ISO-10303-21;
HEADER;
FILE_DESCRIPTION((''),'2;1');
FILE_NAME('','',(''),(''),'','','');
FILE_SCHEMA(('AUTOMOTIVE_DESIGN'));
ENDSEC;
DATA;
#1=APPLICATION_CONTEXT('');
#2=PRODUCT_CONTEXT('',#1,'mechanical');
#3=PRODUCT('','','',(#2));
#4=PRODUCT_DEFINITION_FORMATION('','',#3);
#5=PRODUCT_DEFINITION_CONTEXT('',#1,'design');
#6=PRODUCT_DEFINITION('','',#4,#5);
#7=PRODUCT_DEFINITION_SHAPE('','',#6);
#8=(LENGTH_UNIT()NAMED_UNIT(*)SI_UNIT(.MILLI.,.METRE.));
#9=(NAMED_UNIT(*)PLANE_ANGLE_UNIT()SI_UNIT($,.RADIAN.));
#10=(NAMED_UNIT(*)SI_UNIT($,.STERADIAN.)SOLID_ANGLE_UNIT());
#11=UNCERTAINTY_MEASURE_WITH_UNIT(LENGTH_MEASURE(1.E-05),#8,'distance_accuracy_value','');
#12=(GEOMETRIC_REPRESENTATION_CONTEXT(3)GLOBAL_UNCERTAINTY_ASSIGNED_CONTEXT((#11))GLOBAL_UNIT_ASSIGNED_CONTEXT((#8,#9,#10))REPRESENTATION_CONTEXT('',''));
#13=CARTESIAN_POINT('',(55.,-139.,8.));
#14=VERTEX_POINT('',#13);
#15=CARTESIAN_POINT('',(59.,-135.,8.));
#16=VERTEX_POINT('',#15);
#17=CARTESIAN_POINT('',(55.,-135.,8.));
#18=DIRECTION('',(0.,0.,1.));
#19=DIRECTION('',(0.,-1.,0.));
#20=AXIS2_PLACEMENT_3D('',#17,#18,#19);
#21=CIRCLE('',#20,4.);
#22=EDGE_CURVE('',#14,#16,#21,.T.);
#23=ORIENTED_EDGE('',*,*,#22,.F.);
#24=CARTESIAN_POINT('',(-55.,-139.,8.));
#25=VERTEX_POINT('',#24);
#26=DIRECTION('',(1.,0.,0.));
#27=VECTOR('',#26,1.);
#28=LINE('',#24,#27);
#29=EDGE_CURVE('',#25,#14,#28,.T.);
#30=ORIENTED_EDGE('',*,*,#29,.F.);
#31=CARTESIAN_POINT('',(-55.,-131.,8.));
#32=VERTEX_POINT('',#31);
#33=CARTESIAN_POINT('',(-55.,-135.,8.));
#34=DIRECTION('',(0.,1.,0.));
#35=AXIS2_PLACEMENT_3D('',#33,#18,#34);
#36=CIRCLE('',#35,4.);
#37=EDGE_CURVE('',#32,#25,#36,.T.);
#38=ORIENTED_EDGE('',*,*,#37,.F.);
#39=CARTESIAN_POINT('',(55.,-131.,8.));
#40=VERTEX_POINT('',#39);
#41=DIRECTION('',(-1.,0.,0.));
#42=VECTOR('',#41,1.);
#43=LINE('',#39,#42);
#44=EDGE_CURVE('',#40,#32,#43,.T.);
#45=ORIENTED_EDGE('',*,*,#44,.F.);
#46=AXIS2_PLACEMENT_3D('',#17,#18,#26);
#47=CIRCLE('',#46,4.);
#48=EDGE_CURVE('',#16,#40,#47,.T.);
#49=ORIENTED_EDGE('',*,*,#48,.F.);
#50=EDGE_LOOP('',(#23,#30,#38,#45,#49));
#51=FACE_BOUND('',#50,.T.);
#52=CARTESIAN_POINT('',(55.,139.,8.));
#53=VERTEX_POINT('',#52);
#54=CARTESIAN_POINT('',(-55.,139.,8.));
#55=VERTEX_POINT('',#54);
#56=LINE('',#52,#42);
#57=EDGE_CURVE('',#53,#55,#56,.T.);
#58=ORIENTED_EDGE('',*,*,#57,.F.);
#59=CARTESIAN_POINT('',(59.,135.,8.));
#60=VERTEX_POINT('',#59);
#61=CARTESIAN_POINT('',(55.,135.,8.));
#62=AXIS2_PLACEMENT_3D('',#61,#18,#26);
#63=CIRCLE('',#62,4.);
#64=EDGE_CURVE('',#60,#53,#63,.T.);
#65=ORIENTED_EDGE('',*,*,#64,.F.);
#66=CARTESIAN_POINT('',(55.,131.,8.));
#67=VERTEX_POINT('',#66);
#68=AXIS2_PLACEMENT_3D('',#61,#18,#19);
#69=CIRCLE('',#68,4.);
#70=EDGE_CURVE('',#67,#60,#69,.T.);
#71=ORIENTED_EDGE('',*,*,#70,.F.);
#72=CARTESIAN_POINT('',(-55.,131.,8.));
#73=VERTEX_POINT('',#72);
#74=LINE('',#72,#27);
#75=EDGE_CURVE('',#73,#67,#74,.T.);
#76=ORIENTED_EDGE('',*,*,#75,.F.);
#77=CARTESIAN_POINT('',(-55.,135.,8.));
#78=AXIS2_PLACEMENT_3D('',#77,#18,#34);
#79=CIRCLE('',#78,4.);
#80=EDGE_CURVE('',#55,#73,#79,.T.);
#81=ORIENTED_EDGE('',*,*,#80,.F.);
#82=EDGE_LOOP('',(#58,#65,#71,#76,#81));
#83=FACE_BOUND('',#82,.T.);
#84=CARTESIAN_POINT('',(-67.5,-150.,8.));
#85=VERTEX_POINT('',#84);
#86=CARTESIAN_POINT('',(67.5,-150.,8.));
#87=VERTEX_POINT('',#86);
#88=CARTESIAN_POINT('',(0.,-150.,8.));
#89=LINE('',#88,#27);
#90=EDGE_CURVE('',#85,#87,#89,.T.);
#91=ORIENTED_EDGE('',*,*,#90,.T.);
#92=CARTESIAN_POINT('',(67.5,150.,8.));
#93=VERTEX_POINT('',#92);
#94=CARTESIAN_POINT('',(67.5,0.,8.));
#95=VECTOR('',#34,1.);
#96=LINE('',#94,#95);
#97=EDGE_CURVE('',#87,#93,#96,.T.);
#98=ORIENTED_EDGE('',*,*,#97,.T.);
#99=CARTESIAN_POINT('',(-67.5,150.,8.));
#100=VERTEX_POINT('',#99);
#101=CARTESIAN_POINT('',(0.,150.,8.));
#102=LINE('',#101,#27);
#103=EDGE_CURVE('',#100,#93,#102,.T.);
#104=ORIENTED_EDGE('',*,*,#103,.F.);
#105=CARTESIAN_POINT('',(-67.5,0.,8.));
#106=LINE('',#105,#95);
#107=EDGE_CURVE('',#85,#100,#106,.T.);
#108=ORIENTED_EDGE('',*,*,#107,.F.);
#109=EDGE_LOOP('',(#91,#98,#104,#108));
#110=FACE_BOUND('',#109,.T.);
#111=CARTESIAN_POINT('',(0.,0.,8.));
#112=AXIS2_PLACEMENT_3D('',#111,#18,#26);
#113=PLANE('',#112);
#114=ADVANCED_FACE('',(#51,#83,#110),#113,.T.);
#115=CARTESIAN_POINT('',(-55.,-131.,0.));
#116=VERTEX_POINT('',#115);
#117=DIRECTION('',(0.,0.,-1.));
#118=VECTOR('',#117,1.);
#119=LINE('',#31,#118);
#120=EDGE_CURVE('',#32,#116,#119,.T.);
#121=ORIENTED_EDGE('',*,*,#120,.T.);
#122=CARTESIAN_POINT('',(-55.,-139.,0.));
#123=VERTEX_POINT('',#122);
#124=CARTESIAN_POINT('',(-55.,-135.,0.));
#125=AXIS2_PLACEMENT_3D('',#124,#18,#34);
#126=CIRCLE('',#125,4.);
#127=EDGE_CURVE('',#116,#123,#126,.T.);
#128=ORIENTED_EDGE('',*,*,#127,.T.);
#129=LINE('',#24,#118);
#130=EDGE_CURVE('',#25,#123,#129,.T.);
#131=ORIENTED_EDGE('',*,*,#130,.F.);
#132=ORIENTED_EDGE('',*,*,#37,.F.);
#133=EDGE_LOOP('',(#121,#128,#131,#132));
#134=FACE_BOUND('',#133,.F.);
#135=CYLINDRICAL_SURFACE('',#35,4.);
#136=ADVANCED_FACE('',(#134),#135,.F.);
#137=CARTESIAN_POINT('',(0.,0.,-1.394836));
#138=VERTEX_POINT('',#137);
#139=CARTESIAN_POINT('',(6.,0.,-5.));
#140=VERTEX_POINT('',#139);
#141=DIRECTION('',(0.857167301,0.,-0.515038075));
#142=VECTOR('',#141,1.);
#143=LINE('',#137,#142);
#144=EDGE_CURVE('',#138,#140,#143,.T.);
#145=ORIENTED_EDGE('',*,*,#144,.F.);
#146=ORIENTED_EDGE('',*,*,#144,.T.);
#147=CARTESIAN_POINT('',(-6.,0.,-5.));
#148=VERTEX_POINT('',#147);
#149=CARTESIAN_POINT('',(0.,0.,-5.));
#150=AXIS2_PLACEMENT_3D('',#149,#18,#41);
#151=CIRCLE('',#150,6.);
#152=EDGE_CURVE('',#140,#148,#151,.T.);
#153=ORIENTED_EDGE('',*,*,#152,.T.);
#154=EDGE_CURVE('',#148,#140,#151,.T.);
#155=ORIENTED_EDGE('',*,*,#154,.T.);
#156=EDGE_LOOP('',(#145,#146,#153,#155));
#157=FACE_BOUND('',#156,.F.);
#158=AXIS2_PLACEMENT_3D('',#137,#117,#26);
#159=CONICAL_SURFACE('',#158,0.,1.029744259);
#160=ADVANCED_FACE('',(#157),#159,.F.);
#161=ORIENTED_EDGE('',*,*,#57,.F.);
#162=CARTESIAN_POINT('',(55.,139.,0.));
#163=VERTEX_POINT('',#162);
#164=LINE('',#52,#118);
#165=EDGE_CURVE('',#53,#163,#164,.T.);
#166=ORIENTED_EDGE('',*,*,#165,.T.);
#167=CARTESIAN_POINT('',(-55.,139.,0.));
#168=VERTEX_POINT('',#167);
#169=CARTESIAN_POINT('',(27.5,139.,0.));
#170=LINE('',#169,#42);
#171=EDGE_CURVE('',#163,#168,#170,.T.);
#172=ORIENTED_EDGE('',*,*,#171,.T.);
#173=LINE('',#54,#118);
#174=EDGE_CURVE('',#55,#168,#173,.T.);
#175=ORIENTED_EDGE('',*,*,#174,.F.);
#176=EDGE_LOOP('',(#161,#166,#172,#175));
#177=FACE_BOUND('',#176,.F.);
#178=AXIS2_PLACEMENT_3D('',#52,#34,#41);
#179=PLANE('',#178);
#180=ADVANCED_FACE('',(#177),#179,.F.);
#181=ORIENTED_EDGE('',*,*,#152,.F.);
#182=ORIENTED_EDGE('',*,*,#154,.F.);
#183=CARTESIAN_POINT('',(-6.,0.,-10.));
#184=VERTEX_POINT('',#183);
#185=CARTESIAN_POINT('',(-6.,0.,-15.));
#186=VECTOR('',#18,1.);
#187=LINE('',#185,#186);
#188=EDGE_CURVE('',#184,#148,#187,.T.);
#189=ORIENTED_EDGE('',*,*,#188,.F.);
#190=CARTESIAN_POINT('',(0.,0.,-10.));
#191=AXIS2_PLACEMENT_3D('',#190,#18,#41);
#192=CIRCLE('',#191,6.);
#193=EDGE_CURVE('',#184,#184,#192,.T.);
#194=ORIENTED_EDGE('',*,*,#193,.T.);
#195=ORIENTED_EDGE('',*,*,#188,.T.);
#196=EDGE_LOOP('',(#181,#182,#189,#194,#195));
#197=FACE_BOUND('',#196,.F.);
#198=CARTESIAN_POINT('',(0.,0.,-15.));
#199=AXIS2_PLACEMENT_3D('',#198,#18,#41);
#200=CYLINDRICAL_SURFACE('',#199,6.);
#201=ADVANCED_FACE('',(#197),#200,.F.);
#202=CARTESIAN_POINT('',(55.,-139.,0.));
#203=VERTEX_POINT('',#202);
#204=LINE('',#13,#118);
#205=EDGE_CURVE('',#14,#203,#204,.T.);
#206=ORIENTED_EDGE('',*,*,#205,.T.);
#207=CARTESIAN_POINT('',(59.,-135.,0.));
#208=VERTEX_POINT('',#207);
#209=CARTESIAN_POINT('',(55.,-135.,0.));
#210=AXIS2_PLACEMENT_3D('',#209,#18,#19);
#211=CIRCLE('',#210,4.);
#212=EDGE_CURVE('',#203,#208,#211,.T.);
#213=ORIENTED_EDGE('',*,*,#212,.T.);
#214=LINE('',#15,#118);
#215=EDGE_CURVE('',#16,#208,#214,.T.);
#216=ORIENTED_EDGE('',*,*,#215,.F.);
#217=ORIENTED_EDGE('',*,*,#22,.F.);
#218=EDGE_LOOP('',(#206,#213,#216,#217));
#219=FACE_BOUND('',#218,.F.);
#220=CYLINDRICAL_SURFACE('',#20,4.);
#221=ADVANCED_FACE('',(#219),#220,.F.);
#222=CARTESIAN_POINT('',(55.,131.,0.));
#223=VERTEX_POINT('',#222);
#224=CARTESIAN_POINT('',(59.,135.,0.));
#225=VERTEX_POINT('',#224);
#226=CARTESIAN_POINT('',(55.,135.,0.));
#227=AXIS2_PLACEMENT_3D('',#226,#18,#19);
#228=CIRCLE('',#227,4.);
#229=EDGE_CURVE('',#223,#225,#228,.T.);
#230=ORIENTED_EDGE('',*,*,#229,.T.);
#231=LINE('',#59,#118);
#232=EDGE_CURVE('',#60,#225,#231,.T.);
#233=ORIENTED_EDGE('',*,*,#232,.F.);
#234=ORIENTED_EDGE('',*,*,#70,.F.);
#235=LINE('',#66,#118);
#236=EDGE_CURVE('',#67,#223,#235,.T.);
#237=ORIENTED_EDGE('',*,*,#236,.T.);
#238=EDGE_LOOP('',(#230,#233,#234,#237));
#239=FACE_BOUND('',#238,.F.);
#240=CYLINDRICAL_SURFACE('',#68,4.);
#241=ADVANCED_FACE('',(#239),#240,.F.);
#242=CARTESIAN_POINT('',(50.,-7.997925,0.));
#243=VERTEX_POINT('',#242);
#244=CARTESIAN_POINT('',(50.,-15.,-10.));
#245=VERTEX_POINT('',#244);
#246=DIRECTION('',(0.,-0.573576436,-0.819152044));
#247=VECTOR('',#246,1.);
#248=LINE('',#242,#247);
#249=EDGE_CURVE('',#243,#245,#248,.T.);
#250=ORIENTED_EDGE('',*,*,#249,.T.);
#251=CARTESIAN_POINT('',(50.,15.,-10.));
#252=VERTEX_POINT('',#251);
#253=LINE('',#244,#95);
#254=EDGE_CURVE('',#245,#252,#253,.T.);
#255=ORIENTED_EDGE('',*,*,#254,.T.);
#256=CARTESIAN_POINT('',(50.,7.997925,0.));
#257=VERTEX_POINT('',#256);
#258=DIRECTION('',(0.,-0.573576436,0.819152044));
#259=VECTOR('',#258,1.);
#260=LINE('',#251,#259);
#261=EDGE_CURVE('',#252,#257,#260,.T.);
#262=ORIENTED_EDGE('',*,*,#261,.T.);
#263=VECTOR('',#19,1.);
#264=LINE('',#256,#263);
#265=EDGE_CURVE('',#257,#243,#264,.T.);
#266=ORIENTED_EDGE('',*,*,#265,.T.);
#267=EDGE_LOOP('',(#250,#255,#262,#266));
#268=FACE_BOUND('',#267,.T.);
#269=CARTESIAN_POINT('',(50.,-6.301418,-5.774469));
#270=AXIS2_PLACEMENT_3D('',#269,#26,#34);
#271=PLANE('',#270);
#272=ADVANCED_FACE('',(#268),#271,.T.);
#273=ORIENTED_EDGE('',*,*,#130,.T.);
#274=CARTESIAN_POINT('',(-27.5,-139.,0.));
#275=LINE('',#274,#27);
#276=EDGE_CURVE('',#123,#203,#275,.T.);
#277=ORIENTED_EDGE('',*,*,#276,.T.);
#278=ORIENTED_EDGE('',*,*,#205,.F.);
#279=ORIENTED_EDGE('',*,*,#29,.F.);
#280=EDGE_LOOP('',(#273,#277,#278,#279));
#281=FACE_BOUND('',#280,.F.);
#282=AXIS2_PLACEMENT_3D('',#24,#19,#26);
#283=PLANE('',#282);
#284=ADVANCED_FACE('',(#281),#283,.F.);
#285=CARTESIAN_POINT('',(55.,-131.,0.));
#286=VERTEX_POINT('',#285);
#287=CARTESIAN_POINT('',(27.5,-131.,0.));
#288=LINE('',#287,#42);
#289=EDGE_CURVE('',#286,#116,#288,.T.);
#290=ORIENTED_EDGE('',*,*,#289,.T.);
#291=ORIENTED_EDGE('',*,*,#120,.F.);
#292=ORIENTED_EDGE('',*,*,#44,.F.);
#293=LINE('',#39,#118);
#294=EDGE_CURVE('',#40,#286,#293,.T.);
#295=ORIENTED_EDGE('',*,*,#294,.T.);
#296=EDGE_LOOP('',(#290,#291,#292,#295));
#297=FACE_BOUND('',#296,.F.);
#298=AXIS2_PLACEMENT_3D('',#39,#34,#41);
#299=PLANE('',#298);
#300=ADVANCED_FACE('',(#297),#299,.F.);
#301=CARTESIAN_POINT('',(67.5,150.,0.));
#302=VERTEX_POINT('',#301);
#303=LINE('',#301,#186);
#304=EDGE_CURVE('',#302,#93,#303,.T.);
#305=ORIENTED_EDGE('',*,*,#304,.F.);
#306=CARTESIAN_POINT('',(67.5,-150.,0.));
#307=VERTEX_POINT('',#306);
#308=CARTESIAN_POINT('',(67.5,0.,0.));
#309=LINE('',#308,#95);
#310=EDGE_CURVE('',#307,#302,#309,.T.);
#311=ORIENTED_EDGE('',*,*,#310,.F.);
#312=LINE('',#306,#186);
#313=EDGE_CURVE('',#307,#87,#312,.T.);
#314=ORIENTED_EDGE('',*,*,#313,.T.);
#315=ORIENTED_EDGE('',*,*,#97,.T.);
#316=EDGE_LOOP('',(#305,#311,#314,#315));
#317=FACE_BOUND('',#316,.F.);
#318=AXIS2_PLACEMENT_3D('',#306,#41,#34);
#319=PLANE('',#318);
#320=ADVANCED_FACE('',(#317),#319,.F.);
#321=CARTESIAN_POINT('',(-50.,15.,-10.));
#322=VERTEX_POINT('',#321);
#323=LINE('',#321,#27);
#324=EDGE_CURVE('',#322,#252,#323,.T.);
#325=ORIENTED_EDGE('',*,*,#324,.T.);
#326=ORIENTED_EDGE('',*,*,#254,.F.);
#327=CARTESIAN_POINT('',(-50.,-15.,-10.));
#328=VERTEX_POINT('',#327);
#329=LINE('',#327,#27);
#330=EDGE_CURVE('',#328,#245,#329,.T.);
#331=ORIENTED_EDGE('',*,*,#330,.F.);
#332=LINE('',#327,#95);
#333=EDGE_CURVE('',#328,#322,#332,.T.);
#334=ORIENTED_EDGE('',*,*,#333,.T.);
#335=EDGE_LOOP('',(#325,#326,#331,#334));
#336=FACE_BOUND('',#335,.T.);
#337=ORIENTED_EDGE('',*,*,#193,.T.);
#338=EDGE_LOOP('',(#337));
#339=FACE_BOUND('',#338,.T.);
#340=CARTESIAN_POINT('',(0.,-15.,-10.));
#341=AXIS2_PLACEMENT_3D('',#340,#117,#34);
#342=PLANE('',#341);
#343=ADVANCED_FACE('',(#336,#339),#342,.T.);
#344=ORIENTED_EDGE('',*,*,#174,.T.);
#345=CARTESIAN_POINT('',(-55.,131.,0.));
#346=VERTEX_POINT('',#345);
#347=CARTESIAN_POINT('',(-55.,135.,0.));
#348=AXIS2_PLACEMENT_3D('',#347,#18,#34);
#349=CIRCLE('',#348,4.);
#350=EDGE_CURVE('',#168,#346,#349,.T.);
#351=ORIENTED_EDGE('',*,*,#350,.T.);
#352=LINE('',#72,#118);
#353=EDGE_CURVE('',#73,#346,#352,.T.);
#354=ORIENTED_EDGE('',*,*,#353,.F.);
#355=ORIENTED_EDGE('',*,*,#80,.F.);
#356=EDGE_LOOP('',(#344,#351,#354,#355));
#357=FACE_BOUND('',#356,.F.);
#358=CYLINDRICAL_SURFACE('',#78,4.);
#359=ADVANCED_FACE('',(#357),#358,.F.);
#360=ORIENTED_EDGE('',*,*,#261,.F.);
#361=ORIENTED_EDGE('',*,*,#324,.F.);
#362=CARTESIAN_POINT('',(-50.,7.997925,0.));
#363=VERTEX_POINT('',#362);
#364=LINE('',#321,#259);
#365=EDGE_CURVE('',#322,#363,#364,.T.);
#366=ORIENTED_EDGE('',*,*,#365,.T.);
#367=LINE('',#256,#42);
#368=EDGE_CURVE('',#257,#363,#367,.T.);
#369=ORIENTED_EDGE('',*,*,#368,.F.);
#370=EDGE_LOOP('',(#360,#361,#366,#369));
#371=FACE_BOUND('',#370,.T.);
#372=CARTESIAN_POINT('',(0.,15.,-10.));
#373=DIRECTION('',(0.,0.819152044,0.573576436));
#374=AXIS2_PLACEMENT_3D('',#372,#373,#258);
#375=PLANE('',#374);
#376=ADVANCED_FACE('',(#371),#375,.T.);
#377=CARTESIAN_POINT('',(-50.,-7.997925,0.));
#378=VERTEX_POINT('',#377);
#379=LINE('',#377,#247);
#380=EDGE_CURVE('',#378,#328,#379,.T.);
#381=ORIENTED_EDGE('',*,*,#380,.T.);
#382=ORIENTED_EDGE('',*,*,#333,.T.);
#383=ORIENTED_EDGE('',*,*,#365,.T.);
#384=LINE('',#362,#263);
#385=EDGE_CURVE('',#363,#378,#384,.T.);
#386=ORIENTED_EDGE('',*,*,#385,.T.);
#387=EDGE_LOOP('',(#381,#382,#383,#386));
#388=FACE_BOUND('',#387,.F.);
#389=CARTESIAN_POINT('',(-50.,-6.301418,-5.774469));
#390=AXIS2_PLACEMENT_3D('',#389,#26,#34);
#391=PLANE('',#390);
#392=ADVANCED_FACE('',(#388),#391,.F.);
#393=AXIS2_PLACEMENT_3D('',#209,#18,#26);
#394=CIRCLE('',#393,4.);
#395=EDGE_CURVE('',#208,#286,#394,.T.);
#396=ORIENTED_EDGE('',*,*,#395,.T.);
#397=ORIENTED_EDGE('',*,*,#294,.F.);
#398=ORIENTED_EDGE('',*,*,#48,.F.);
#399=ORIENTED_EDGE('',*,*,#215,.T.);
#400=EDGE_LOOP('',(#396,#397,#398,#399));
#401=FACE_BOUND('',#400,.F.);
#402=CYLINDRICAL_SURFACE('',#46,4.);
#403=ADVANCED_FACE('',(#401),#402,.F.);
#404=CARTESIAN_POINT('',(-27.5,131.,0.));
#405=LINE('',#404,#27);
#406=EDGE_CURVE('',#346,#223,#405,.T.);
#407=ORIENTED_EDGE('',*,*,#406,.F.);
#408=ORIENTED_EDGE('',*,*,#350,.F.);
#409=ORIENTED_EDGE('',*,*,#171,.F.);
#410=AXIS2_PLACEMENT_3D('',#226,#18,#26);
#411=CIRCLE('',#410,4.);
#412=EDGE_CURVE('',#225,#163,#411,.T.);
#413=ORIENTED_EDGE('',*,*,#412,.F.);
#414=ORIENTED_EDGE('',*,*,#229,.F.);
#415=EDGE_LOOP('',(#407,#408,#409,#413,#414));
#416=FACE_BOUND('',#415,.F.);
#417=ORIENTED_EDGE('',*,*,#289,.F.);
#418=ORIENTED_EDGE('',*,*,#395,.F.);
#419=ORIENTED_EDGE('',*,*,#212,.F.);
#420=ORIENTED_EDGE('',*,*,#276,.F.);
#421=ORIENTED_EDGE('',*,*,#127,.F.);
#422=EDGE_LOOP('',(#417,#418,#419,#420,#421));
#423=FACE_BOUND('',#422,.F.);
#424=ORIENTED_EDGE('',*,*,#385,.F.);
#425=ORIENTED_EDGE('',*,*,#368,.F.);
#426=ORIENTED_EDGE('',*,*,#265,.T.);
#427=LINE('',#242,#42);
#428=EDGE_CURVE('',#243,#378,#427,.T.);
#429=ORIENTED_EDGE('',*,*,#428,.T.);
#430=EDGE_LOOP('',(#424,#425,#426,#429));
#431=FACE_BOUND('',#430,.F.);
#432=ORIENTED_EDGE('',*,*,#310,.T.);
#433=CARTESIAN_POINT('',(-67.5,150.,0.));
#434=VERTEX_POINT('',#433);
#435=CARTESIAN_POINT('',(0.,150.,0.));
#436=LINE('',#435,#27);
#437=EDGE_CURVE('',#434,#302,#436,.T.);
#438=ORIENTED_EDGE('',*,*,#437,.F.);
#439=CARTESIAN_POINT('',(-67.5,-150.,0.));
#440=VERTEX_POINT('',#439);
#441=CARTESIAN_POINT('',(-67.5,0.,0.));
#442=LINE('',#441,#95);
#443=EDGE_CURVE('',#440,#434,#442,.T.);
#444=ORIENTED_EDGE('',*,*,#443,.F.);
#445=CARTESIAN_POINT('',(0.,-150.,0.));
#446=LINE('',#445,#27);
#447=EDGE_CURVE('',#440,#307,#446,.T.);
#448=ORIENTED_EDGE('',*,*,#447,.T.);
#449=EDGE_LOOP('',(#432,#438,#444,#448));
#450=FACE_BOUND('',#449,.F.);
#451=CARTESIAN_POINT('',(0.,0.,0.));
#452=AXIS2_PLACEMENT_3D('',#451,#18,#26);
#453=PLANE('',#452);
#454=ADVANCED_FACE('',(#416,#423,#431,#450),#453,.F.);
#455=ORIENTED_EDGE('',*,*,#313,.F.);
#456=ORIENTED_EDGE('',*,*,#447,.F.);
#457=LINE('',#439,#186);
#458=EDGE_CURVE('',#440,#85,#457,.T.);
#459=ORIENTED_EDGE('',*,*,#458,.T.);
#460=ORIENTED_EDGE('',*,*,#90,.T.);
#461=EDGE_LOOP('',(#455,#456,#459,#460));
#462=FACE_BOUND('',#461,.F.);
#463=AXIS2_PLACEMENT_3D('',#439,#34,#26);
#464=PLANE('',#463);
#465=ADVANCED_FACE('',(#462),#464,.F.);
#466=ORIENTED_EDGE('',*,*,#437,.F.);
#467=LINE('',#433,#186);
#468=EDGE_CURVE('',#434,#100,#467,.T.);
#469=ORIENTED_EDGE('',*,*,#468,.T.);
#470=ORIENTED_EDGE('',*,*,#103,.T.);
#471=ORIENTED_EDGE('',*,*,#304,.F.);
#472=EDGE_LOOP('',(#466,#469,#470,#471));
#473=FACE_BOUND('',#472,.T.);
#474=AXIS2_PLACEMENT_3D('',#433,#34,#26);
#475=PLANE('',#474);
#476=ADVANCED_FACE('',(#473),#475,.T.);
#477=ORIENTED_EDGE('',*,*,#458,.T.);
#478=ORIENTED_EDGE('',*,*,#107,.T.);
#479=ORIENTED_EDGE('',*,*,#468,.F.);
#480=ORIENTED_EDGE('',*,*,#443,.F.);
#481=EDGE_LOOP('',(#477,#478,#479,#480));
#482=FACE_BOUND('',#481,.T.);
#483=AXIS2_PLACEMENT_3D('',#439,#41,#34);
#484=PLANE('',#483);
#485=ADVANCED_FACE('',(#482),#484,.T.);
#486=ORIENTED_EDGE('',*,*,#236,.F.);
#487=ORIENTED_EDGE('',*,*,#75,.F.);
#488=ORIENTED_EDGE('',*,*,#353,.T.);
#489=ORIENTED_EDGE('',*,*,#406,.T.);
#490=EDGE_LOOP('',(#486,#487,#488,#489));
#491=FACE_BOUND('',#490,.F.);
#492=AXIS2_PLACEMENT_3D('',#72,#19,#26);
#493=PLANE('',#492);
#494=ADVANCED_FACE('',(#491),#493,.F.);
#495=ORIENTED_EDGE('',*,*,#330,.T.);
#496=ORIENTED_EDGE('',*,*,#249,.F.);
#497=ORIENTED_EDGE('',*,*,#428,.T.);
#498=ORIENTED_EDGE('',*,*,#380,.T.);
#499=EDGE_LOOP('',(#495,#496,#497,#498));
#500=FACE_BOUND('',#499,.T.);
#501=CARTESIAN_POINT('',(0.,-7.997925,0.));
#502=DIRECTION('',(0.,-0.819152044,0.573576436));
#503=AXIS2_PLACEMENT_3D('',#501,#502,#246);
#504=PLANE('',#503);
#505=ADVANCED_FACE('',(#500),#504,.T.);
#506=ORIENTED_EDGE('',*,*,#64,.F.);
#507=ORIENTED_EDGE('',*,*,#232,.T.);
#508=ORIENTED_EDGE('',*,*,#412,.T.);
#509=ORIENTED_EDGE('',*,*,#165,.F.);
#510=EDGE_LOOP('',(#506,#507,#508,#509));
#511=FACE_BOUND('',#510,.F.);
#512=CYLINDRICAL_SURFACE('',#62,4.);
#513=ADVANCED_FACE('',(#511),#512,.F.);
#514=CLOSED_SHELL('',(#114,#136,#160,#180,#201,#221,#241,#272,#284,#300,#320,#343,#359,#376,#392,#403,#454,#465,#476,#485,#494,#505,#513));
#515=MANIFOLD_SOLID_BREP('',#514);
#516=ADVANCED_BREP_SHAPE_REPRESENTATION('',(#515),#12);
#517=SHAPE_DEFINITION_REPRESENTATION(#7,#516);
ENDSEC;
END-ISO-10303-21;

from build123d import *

# Parameters (mm, degrees)
F0_W     = 135
F0_H     = 300
F1_DEPTH = 8
F3_DEPTH = 50
F5_D     = 12
F5_DEPTH = 5
F5_TIP   = 3.6051637142
F7_DEPTH = 25


with BuildPart() as f1:
    # F0 (on Top) → F1 (new body)
    with BuildSketch(Plane.XY):
        Rectangle(F0_W, F0_H)
    extrude(amount=F1_DEPTH)

    # F2 (on Right) → F3 (join, symmetric)
    with BuildSketch(Plane.YZ):
        Polygon((0, -10), (0, 0), (-7.9979246179, 0), (-15, -10), align=None)
        Polygon((7.9979246179, 0), (0, 0), (0, -10), (15, -10), align=None)
    extrude(amount=F3_DEPTH, both=True)

    # F5
    with Locations(Plane(origin=(0, 0, -10), x_dir=(1, 0, 0), z_dir=(0, 0, -1))):
        with Locations((0, 0)):
            Hole(F5_D / 2, depth=F5_DEPTH)
            with Locations((0, 0, -(F5_DEPTH + F5_TIP / 2))):  # 118° drill point
                Cone(0, F5_D / 2, F5_TIP, mode=Mode.SUBTRACT)

    # F6 (on face) → F7 (cut)
    with BuildSketch(Plane.XY.offset(8)):
        with BuildLine():
            ThreePointArc((59, -135), (57.8284271247, -132.1715728753), (55, -131))
            Line((55, -131), (55, -139))
            ThreePointArc((55, -139), (57.8284271247, -137.8284271247), (59, -135))
        make_face()
        with BuildLine():
            Line((55, -139), (55, -131))
            ThreePointArc((55, -131), (51, -135), (55, -139))
        make_face()
        with BuildLine():
            Line((55, -131), (-55, -131))
            ThreePointArc((-55, -131), (-52.1715728753, -132.1715728753), (-51, -135))
            ThreePointArc((-51, -135), (-52.1715728753, -137.8284271247), (-55, -139))
            Line((-55, -139), (55, -139))
            ThreePointArc((55, -139), (51, -135), (55, -131))
        make_face()
        with BuildLine():
            ThreePointArc((-51, -135), (-52.1715728753, -132.1715728753), (-55, -131))
            Line((-55, -131), (-55, -139))
            ThreePointArc((-55, -139), (-52.1715728753, -137.8284271247), (-51, -135))
        make_face()
        with BuildLine():
            Line((-55, -139), (-55, -131))
            ThreePointArc((-55, -131), (-59, -135), (-55, -139))
        make_face()
        with BuildLine():
            Line((55, 139), (55, 131))
            ThreePointArc((55, 131), (57.8284271247, 132.1715728753), (59, 135))
            ThreePointArc((59, 135), (57.8284271247, 137.8284271247), (55, 139))
        make_face()
        with BuildLine():
            ThreePointArc((55, 139), (51, 135), (55, 131))
            Line((55, 131), (55, 139))
        make_face()
        with BuildLine():
            ThreePointArc((-51, 135), (-52.1715728753, 132.1715728753), (-55, 131))
            Line((-55, 131), (55, 131))
            ThreePointArc((55, 131), (51, 135), (55, 139))
            Line((55, 139), (-55, 139))
            ThreePointArc((-55, 139), (-52.1715728753, 137.8284271247), (-51, 135))
        make_face()
        with BuildLine():
            ThreePointArc((-55, 139), (-59, 135), (-55, 131))
            Line((-55, 131), (-55, 139))
        make_face()
        with BuildLine():
            Line((-55, 139), (-55, 131))
            ThreePointArc((-55, 131), (-52.1715728753, 132.1715728753), (-51, 135))
            ThreePointArc((-51, 135), (-52.1715728753, 137.8284271247), (-55, 139))
        make_face()
    extrude(amount=-F7_DEPTH, mode=Mode.SUBTRACT)


solid = f1.part
